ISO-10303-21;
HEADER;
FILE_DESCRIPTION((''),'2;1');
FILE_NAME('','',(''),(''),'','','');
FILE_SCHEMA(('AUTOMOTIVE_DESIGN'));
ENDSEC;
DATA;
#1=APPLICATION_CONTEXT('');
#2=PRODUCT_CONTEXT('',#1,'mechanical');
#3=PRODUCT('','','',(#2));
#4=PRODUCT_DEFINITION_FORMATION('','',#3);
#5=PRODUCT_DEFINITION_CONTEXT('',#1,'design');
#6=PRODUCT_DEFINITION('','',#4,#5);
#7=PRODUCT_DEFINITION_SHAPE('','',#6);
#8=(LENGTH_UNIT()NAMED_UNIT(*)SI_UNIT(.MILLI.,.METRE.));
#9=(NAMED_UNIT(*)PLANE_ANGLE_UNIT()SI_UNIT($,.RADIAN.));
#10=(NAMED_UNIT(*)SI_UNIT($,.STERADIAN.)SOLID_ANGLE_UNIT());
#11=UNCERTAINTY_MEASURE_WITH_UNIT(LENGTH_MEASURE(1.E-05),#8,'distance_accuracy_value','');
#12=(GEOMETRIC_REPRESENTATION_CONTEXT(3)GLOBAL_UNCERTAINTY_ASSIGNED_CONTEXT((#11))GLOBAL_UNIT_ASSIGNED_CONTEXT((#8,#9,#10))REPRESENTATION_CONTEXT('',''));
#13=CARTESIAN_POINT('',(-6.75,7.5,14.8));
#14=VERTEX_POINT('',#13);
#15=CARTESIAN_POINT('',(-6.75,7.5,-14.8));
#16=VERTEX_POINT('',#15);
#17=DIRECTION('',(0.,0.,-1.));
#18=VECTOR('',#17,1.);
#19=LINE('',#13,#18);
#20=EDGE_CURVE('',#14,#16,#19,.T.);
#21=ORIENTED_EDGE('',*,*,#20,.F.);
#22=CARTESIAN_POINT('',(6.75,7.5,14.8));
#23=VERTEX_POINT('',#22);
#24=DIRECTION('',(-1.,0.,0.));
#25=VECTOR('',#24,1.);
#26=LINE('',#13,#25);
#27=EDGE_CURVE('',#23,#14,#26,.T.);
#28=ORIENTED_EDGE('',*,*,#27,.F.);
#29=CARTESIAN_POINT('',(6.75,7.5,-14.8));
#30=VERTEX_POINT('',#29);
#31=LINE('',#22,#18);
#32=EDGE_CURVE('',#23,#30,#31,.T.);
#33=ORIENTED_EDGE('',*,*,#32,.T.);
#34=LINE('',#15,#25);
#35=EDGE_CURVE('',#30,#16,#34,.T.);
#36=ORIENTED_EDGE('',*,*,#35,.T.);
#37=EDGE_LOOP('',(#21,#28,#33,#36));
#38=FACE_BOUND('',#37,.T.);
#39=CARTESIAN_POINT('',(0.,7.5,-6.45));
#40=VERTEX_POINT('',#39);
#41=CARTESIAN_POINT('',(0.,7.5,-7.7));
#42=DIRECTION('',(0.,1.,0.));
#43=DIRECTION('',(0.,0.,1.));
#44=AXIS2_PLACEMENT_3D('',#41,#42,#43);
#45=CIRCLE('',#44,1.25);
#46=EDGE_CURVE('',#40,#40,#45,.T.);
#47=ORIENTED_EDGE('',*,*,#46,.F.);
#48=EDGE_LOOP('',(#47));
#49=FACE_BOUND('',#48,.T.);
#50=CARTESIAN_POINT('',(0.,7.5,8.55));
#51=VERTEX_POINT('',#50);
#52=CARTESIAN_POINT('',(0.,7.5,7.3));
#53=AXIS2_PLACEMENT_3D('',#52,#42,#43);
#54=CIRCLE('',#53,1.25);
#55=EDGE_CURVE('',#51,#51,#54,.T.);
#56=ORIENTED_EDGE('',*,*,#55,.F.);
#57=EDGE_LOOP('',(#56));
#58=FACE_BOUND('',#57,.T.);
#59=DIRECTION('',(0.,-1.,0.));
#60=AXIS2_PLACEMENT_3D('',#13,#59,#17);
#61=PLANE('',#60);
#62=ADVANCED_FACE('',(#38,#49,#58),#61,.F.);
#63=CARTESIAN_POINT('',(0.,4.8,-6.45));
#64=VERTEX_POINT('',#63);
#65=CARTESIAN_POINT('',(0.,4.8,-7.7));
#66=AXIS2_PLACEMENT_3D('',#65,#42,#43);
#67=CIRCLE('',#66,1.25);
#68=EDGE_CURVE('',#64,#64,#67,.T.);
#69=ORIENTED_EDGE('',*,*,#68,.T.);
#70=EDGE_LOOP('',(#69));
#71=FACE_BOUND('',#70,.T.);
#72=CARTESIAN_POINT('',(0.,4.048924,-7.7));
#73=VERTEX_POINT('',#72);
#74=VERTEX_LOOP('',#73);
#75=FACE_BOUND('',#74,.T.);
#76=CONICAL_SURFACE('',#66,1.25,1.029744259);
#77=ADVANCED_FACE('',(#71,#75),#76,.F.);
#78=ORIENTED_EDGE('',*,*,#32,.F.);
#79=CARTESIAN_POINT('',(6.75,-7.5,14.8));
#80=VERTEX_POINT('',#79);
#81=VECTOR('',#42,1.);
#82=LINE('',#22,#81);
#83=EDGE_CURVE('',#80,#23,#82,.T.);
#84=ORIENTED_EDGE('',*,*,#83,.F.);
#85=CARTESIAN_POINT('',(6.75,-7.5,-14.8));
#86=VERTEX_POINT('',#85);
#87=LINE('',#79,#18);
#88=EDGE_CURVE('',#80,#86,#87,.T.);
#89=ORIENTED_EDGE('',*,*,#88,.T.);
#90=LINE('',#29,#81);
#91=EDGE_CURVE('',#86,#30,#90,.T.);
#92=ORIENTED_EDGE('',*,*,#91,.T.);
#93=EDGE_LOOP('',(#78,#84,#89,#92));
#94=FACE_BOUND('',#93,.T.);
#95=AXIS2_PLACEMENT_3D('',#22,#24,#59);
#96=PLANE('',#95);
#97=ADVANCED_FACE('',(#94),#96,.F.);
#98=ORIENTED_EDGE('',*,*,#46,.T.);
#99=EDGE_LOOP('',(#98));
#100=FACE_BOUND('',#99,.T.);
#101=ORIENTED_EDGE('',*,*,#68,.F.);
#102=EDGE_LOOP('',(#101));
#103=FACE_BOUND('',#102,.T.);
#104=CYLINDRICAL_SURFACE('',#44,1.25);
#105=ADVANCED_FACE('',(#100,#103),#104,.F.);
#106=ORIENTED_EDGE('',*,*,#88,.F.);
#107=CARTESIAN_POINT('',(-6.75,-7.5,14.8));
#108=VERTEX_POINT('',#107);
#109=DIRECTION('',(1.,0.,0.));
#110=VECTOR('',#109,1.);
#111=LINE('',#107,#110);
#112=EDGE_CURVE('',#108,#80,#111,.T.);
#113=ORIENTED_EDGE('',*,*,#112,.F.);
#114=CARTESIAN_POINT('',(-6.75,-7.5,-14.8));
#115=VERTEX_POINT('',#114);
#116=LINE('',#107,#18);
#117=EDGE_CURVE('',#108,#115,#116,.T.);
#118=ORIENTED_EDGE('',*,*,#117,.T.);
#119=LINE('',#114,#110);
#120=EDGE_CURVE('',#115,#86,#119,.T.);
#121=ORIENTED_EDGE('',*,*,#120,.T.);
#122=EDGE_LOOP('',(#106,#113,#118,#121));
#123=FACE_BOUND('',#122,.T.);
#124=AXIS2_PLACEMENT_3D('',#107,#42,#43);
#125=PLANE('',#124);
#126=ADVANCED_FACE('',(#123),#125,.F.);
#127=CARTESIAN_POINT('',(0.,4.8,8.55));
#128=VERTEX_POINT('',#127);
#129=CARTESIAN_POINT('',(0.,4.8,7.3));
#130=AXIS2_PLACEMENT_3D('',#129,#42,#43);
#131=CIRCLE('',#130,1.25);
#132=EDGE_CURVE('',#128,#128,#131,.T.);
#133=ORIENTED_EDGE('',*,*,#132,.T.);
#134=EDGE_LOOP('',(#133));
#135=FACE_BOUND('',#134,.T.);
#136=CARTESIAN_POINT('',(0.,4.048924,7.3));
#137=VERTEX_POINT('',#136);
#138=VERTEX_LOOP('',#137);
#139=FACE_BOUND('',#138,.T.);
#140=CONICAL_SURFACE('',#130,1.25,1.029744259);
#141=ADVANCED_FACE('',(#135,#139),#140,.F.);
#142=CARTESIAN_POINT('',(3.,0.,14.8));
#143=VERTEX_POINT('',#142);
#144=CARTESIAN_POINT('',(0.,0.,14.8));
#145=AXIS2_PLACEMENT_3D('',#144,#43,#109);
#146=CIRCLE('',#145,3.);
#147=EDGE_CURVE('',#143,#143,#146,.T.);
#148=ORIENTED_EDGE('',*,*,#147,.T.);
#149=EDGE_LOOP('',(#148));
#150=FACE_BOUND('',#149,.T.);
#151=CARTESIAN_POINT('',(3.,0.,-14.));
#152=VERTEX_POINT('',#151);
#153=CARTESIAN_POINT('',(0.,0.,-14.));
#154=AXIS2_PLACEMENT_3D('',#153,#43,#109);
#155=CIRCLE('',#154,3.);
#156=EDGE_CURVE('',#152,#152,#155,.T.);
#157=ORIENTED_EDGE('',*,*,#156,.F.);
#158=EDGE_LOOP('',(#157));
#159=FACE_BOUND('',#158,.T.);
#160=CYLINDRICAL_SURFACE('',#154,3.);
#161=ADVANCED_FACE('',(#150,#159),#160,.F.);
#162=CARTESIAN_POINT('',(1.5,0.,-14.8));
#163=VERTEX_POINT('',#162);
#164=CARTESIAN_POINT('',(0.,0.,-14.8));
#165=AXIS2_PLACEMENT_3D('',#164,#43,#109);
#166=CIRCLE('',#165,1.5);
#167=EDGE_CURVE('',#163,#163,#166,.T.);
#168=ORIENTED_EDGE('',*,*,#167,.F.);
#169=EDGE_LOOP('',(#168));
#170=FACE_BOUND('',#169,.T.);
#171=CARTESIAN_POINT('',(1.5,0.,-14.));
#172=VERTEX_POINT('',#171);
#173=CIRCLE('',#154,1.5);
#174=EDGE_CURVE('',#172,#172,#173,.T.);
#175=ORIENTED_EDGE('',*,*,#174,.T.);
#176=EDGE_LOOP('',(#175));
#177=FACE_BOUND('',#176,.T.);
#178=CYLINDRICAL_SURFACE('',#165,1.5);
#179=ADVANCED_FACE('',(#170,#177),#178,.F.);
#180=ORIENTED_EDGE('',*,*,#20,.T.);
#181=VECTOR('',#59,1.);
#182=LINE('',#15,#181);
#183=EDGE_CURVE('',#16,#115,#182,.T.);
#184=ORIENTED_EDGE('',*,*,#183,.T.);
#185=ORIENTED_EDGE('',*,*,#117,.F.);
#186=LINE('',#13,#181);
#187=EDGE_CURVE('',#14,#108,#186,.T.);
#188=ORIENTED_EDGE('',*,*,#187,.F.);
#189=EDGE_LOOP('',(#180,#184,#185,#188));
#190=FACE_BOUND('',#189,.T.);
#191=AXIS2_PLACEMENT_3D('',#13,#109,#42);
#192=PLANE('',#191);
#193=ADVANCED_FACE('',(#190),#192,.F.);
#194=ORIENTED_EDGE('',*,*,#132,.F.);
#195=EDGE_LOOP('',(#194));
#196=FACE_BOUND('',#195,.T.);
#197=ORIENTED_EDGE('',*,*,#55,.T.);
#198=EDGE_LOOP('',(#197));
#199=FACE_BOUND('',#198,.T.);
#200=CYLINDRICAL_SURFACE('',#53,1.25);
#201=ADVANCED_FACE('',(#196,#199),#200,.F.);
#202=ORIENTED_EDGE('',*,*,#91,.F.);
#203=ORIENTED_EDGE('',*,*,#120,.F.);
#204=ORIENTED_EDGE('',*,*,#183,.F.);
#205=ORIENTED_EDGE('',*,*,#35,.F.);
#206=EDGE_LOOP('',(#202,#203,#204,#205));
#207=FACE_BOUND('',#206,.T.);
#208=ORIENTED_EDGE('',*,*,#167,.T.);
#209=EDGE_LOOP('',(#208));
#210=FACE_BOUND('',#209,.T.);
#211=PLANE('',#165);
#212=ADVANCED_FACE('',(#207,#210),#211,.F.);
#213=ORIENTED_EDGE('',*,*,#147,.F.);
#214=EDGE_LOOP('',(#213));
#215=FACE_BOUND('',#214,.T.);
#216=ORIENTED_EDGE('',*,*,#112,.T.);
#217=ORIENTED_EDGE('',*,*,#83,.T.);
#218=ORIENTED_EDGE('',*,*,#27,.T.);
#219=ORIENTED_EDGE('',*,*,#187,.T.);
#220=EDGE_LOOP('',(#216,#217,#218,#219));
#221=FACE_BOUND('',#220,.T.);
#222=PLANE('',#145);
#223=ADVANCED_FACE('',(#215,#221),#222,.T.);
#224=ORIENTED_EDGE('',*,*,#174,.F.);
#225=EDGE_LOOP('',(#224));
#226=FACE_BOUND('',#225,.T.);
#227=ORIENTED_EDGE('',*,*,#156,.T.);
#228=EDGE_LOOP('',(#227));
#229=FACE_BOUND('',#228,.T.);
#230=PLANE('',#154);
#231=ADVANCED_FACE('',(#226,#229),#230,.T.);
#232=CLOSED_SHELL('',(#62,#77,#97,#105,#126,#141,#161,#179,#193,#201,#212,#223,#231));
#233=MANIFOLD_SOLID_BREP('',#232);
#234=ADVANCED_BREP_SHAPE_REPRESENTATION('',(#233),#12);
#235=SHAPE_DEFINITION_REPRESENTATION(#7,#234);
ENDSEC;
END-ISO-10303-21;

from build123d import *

# Parameters (mm, degrees)
SKETCH1_W                 = 13.5
SKETCH1_H                 = 15
BOSS_EXTRUDE1_DEPTH       = 14.8
SKETCH2_R                 = 3
CUT_EXTRUDE1_DEPTH        = 28.8
SKETCH3_R                 = 1.5
CUT_EXTRUDE2_DEPTH        = 30.6
M3X0_5_TAPPED_HOLE1_D     = 2.5
M3X0_5_TAPPED_HOLE1_DEPTH = 2.7
M3X0_5_TAPPED_HOLE1_TIP   = 0.751075774


with BuildPart() as part:
    # Sketch1 → Boss-Extrude1 (new body, symmetric)
    with BuildSketch(Plane.XY):
        Rectangle(SKETCH1_W, SKETCH1_H)
    extrude(amount=BOSS_EXTRUDE1_DEPTH, both=True)

    # Sketch2 → Cut-Extrude1 (cut)
    with BuildSketch(Plane.XY.offset(14.8)):
        Circle(SKETCH2_R)
    extrude(amount=-CUT_EXTRUDE1_DEPTH, mode=Mode.SUBTRACT)

    # Sketch3 → Cut-Extrude2 (cut, through all)
    with BuildSketch(Plane.XY.offset(14.8)):
        Circle(SKETCH3_R)
    extrude(amount=-CUT_EXTRUDE2_DEPTH, mode=Mode.SUBTRACT)

    # M3x0.5 Tapped Hole1
    with Locations(Plane(origin=(0, 7.5, 0), x_dir=(1, 0, 0), z_dir=(0, 1, 0))):
        with Locations((0, 7.7), (0, -7.3)):
            Hole(M3X0_5_TAPPED_HOLE1_D / 2, depth=M3X0_5_TAPPED_HOLE1_DEPTH)
            with Locations((0, 0, -(M3X0_5_TAPPED_HOLE1_DEPTH + M3X0_5_TAPPED_HOLE1_TIP / 2))):  # 118° drill point
                Cone(0, M3X0_5_TAPPED_HOLE1_D / 2, M3X0_5_TAPPED_HOLE1_TIP, mode=Mode.SUBTRACT)


solid = part.part
